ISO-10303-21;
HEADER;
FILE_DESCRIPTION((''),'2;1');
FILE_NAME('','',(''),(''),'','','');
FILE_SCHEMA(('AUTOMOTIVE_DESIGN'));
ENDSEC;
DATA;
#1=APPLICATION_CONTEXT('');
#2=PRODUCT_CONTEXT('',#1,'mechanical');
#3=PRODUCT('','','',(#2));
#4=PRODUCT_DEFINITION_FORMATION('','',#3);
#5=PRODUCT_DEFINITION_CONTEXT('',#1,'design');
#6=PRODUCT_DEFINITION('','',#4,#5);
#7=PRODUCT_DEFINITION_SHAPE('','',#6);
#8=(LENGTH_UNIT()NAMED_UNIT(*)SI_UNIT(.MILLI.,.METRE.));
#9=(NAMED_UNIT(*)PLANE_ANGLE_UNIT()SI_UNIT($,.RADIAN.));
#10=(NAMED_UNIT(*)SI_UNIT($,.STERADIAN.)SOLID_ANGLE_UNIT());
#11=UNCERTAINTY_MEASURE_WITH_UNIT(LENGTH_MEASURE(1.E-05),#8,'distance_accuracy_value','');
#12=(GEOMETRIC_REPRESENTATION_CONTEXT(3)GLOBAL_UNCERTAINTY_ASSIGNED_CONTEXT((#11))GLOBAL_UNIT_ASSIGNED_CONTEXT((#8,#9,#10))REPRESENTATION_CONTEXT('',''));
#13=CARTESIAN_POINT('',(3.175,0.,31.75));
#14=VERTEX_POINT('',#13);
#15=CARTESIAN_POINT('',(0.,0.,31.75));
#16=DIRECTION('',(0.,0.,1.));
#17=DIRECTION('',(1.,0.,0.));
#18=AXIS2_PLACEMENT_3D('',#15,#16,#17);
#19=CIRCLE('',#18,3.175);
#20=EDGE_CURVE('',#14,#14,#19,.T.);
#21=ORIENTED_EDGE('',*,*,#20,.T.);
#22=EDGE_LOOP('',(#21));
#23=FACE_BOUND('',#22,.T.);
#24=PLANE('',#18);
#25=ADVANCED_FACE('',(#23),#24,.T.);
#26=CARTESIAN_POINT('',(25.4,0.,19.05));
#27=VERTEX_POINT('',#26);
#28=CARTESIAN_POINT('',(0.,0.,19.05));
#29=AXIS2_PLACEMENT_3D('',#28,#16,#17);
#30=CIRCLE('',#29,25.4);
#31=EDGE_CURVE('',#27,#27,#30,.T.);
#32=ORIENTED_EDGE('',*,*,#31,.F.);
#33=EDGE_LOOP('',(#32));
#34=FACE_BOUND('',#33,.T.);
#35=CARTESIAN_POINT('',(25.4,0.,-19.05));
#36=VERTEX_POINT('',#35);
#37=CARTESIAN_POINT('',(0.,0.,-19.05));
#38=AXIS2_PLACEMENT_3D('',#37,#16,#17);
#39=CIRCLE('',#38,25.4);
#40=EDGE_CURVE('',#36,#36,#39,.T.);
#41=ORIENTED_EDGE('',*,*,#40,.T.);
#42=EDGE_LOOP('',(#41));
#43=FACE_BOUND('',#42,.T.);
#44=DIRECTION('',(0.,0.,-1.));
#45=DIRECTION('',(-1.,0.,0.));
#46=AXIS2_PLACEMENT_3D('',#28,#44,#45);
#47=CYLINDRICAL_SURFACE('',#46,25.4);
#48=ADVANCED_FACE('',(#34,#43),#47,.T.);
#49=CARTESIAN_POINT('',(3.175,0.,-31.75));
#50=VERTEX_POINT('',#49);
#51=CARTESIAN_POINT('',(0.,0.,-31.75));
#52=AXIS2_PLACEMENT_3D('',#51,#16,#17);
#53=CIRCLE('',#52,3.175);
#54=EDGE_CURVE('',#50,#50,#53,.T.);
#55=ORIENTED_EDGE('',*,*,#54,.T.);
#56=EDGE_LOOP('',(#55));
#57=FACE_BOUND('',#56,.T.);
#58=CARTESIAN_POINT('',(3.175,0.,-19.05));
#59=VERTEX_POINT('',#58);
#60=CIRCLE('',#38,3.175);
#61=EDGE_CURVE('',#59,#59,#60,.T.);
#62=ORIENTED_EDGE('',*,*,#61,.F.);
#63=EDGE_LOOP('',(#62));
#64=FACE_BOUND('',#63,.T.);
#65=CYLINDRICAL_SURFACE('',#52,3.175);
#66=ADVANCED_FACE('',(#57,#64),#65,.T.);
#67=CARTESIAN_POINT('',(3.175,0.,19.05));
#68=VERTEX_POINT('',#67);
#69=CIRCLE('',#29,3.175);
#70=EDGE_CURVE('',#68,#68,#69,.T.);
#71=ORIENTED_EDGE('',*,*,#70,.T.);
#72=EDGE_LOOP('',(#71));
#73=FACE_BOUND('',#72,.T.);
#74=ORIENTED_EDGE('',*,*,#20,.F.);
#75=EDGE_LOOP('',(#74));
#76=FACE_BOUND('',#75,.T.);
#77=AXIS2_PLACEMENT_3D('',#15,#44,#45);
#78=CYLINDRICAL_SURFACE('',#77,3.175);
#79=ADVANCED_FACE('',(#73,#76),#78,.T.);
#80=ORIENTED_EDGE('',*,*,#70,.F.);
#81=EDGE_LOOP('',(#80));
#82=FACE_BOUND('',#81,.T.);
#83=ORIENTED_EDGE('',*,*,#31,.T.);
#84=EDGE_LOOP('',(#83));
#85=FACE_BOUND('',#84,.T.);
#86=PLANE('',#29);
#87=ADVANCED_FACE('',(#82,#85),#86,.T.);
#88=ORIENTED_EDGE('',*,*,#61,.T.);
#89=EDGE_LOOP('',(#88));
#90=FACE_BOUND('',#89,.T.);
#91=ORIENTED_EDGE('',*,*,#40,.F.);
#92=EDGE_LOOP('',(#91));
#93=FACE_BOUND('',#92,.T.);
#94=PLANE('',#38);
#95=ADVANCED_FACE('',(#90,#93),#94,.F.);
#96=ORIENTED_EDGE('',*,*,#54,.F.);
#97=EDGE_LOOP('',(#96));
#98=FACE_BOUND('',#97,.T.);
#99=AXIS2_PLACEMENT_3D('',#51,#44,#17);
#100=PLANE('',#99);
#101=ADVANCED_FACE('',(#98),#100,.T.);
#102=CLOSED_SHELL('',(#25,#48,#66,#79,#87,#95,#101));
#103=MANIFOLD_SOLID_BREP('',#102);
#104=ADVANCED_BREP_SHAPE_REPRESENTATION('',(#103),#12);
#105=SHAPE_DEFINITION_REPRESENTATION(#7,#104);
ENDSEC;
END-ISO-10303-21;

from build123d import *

# Parameters (mm, degrees)
SKETCH1_R           = 25.4
BOSS_EXTRUDE1_DEPTH = 19.05
SKETCH2_R           = 3.175
BOSS_EXTRUDE2_DEPTH = 12.7


with BuildPart() as part:
    # Sketch1 → Boss-Extrude1 (new body, symmetric)
    with BuildSketch(Plane.XY):
        Circle(SKETCH1_R)
    extrude(amount=BOSS_EXTRUDE1_DEPTH, both=True)

    # Sketch2 → Boss-Extrude2 (add)
    with BuildSketch(Plane.XY.offset(19.05)):
        Circle(SKETCH2_R)
    boss_extrude2 = extrude(amount=BOSS_EXTRUDE2_DEPTH)

    # Mirror1: Boss-Extrude2 across plane
    add(boss_extrude2.mirror(Plane.XY))


solid = part.part
